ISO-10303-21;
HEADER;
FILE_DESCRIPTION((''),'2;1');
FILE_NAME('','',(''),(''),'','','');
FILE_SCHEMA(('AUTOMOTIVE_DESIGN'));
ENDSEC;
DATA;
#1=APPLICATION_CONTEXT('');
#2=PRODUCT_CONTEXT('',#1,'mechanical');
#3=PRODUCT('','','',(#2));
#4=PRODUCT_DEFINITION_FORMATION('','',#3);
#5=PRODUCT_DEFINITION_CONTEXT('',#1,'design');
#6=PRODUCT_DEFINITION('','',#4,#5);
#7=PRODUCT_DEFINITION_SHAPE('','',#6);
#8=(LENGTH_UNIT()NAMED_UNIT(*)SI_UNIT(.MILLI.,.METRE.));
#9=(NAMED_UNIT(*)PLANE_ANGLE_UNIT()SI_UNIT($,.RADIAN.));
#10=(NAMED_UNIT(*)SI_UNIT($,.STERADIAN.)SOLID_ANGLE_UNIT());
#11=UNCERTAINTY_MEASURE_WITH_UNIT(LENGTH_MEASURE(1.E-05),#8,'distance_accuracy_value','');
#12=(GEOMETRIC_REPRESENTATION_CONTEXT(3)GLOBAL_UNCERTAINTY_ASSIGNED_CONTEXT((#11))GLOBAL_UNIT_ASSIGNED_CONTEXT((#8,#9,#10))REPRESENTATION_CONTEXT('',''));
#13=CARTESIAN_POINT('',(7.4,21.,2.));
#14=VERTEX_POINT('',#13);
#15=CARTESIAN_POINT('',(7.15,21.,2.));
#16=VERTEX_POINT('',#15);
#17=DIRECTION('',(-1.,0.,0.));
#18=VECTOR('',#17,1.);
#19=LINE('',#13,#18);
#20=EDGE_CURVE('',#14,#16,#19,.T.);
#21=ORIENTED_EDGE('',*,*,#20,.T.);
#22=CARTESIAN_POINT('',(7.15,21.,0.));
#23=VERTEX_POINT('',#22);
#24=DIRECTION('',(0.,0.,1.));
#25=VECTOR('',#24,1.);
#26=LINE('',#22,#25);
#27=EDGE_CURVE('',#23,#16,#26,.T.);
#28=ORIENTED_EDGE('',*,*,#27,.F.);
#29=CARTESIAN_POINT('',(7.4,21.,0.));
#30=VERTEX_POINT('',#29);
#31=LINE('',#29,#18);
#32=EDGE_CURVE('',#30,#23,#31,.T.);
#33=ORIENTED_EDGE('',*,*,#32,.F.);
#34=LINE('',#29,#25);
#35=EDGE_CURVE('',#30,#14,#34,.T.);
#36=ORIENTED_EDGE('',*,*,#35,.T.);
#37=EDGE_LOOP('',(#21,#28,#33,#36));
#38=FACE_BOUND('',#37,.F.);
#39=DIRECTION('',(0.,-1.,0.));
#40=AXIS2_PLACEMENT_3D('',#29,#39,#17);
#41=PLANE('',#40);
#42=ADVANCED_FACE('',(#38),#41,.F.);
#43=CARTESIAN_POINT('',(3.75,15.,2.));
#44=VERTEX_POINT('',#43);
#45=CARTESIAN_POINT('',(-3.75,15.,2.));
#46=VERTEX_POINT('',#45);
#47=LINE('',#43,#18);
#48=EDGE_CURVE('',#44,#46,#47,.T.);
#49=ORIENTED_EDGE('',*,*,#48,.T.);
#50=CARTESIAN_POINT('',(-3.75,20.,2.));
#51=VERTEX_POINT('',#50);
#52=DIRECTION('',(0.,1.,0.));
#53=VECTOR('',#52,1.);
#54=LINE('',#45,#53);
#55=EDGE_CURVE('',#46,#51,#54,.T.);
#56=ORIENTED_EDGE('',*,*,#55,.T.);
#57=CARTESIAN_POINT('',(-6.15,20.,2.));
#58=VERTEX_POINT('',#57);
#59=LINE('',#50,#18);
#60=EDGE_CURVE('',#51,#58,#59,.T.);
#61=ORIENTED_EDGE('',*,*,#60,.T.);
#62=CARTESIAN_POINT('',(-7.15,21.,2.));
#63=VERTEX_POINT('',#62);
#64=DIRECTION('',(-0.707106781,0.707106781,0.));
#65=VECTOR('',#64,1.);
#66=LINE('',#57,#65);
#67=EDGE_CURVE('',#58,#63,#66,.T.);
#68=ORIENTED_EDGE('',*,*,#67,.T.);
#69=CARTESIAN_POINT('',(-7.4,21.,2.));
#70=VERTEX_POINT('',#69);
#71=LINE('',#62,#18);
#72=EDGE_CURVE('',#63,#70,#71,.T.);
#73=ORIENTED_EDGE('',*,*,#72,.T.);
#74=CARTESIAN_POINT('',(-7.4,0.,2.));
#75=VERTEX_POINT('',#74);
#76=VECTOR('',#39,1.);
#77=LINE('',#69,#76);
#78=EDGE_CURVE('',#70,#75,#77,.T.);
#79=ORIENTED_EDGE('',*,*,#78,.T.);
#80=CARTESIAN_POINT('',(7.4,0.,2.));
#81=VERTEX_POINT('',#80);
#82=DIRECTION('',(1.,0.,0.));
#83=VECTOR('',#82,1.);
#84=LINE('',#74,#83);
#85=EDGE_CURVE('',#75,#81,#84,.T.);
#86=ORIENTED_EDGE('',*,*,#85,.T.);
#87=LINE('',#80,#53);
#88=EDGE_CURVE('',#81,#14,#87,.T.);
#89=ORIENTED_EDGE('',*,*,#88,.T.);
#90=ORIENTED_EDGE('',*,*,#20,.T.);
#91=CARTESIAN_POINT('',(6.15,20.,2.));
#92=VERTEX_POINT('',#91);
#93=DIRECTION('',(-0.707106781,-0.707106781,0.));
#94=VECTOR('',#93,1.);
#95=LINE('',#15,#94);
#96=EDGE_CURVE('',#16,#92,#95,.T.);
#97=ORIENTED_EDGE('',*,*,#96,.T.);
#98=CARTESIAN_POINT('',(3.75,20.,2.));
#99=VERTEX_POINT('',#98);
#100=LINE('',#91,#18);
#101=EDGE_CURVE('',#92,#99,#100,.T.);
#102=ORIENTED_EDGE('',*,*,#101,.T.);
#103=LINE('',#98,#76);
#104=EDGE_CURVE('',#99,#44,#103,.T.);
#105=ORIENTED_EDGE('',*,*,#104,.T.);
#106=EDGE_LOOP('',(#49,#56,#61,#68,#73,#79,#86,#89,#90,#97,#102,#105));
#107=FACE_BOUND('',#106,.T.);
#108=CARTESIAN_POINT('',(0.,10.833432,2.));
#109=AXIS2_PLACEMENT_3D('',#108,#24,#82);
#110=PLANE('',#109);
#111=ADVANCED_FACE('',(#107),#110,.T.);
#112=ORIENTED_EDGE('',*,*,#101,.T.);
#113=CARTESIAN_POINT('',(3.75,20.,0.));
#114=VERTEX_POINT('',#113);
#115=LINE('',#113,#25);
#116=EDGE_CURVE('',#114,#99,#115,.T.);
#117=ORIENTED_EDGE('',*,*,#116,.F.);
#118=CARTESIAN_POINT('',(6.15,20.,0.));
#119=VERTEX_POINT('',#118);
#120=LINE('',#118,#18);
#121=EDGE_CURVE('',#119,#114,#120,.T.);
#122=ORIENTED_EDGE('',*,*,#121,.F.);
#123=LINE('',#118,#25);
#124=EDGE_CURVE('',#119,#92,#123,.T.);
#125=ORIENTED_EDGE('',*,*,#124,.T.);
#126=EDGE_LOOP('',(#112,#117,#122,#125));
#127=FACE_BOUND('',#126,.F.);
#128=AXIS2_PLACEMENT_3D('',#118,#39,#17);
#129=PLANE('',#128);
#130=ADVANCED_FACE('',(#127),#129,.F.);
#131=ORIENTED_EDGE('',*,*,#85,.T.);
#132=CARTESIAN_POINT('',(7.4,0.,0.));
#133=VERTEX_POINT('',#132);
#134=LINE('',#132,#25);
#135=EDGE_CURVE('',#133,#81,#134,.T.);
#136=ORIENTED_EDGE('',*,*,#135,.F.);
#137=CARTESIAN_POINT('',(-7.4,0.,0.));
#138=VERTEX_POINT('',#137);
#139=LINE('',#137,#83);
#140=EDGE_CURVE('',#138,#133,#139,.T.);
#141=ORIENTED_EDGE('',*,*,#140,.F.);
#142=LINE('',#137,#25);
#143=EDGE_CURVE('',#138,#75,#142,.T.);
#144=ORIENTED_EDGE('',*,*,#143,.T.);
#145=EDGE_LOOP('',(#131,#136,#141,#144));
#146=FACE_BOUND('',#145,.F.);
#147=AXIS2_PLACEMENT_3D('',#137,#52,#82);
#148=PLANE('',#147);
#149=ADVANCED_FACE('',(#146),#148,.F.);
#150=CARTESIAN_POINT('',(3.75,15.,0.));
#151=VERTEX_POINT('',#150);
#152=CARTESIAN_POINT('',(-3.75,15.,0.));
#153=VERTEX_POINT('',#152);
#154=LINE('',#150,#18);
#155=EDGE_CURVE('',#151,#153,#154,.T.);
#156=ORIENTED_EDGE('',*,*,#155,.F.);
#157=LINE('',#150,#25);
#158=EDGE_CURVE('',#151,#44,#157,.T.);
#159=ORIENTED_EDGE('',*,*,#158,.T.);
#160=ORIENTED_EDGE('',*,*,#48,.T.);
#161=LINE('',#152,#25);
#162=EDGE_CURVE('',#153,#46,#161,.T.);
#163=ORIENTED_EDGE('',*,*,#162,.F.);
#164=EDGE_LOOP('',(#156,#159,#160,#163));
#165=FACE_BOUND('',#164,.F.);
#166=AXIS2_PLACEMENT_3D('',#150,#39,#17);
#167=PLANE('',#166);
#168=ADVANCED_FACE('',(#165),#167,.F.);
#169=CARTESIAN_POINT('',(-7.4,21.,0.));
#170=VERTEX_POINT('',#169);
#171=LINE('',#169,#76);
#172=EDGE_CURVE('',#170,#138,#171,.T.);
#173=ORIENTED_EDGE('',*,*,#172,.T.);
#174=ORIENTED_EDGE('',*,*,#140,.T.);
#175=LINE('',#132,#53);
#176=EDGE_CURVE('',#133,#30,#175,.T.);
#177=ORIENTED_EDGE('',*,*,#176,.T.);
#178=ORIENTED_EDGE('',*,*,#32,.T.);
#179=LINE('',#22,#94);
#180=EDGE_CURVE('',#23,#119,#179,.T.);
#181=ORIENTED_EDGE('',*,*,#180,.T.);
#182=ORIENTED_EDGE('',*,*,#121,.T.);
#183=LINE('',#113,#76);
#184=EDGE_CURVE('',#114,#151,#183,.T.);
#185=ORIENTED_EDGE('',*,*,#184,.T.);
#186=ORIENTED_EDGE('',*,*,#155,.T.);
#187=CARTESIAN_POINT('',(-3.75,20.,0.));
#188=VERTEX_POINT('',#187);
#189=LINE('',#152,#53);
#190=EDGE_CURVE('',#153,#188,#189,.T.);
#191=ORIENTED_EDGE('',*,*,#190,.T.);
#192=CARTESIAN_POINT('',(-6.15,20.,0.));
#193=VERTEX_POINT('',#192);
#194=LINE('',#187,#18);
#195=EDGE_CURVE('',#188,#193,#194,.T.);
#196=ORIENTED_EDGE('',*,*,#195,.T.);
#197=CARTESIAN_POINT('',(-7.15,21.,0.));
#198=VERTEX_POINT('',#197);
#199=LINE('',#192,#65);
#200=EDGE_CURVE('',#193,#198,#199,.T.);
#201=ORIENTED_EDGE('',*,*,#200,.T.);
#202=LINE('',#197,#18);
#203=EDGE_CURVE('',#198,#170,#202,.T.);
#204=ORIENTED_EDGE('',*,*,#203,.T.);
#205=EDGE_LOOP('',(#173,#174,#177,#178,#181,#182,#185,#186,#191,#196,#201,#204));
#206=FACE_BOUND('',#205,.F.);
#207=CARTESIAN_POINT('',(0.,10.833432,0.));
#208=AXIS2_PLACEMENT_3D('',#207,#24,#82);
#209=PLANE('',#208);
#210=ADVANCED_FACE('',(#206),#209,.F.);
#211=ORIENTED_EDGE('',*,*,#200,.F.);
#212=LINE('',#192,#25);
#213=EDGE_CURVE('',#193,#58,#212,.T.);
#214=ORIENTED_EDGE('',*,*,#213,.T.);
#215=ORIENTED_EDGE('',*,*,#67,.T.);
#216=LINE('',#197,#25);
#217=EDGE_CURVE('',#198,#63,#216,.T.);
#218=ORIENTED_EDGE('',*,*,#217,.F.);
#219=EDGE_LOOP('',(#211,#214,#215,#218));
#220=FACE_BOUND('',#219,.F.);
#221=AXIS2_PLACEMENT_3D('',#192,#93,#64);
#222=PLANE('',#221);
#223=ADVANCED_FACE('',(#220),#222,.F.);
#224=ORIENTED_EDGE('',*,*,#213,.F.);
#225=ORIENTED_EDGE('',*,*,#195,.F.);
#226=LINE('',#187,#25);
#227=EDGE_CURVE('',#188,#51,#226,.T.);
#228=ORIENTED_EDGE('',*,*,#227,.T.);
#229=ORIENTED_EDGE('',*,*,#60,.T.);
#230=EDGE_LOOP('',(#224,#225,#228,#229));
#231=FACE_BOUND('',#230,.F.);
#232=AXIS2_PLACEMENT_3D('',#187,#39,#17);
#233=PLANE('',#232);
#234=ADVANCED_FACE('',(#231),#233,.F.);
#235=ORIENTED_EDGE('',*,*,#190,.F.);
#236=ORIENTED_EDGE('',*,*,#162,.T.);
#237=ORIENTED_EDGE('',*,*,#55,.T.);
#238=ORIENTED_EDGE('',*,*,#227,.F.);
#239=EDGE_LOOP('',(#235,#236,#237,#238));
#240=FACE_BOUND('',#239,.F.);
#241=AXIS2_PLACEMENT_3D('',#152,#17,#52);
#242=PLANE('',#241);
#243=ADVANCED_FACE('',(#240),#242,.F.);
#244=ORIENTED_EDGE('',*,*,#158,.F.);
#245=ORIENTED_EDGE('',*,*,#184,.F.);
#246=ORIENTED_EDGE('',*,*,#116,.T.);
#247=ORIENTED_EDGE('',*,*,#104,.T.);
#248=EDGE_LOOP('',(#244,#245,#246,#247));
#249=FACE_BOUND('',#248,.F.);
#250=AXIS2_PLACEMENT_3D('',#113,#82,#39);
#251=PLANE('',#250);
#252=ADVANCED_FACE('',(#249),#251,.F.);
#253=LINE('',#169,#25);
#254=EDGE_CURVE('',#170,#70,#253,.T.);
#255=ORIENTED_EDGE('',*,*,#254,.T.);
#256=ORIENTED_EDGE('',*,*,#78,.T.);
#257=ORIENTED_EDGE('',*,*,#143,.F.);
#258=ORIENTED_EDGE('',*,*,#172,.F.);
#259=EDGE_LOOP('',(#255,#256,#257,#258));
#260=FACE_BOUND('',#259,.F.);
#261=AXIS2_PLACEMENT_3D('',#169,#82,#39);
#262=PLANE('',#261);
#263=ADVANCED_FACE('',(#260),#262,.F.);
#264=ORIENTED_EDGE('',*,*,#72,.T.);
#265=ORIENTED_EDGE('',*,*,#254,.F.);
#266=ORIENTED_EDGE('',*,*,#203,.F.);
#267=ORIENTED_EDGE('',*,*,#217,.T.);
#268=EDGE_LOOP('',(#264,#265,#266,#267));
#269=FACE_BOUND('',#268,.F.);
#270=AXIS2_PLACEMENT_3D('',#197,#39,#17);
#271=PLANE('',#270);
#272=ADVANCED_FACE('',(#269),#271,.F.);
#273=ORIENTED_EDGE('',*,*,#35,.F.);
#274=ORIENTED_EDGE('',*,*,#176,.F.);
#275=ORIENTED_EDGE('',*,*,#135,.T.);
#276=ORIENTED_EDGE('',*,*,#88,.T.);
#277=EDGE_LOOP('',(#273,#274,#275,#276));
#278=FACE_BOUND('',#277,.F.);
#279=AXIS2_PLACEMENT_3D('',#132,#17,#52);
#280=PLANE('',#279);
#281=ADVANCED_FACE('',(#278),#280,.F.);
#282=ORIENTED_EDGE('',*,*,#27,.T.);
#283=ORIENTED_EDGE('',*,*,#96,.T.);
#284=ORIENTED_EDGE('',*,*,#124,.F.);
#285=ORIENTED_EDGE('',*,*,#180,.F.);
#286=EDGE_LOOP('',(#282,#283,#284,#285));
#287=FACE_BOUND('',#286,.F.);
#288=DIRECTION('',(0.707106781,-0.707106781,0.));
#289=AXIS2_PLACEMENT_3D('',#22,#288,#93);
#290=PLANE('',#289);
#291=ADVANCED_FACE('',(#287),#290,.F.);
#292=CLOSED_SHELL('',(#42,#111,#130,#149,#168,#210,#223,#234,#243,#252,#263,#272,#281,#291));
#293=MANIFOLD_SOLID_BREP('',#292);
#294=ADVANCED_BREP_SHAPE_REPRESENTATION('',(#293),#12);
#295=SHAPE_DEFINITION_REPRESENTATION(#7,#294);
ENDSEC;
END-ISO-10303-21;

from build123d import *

# Parameters (mm, degrees)
EXTRUDE_DEPTH = 2


with BuildPart() as part:
    # Sketch → Extrude (new body)
    with BuildSketch(Plane.XY):
        Polygon((-7.4, 0), (7.4, 0), (7.4, 21), (7.15, 21), (6.15, 20), (3.75, 20), (3.75, 15), (-3.75, 15), (-3.75, 20), (-6.15, 20), (-7.15, 21), (-7.4, 21), align=None)
    extrude(amount=EXTRUDE_DEPTH)


solid = part.part
